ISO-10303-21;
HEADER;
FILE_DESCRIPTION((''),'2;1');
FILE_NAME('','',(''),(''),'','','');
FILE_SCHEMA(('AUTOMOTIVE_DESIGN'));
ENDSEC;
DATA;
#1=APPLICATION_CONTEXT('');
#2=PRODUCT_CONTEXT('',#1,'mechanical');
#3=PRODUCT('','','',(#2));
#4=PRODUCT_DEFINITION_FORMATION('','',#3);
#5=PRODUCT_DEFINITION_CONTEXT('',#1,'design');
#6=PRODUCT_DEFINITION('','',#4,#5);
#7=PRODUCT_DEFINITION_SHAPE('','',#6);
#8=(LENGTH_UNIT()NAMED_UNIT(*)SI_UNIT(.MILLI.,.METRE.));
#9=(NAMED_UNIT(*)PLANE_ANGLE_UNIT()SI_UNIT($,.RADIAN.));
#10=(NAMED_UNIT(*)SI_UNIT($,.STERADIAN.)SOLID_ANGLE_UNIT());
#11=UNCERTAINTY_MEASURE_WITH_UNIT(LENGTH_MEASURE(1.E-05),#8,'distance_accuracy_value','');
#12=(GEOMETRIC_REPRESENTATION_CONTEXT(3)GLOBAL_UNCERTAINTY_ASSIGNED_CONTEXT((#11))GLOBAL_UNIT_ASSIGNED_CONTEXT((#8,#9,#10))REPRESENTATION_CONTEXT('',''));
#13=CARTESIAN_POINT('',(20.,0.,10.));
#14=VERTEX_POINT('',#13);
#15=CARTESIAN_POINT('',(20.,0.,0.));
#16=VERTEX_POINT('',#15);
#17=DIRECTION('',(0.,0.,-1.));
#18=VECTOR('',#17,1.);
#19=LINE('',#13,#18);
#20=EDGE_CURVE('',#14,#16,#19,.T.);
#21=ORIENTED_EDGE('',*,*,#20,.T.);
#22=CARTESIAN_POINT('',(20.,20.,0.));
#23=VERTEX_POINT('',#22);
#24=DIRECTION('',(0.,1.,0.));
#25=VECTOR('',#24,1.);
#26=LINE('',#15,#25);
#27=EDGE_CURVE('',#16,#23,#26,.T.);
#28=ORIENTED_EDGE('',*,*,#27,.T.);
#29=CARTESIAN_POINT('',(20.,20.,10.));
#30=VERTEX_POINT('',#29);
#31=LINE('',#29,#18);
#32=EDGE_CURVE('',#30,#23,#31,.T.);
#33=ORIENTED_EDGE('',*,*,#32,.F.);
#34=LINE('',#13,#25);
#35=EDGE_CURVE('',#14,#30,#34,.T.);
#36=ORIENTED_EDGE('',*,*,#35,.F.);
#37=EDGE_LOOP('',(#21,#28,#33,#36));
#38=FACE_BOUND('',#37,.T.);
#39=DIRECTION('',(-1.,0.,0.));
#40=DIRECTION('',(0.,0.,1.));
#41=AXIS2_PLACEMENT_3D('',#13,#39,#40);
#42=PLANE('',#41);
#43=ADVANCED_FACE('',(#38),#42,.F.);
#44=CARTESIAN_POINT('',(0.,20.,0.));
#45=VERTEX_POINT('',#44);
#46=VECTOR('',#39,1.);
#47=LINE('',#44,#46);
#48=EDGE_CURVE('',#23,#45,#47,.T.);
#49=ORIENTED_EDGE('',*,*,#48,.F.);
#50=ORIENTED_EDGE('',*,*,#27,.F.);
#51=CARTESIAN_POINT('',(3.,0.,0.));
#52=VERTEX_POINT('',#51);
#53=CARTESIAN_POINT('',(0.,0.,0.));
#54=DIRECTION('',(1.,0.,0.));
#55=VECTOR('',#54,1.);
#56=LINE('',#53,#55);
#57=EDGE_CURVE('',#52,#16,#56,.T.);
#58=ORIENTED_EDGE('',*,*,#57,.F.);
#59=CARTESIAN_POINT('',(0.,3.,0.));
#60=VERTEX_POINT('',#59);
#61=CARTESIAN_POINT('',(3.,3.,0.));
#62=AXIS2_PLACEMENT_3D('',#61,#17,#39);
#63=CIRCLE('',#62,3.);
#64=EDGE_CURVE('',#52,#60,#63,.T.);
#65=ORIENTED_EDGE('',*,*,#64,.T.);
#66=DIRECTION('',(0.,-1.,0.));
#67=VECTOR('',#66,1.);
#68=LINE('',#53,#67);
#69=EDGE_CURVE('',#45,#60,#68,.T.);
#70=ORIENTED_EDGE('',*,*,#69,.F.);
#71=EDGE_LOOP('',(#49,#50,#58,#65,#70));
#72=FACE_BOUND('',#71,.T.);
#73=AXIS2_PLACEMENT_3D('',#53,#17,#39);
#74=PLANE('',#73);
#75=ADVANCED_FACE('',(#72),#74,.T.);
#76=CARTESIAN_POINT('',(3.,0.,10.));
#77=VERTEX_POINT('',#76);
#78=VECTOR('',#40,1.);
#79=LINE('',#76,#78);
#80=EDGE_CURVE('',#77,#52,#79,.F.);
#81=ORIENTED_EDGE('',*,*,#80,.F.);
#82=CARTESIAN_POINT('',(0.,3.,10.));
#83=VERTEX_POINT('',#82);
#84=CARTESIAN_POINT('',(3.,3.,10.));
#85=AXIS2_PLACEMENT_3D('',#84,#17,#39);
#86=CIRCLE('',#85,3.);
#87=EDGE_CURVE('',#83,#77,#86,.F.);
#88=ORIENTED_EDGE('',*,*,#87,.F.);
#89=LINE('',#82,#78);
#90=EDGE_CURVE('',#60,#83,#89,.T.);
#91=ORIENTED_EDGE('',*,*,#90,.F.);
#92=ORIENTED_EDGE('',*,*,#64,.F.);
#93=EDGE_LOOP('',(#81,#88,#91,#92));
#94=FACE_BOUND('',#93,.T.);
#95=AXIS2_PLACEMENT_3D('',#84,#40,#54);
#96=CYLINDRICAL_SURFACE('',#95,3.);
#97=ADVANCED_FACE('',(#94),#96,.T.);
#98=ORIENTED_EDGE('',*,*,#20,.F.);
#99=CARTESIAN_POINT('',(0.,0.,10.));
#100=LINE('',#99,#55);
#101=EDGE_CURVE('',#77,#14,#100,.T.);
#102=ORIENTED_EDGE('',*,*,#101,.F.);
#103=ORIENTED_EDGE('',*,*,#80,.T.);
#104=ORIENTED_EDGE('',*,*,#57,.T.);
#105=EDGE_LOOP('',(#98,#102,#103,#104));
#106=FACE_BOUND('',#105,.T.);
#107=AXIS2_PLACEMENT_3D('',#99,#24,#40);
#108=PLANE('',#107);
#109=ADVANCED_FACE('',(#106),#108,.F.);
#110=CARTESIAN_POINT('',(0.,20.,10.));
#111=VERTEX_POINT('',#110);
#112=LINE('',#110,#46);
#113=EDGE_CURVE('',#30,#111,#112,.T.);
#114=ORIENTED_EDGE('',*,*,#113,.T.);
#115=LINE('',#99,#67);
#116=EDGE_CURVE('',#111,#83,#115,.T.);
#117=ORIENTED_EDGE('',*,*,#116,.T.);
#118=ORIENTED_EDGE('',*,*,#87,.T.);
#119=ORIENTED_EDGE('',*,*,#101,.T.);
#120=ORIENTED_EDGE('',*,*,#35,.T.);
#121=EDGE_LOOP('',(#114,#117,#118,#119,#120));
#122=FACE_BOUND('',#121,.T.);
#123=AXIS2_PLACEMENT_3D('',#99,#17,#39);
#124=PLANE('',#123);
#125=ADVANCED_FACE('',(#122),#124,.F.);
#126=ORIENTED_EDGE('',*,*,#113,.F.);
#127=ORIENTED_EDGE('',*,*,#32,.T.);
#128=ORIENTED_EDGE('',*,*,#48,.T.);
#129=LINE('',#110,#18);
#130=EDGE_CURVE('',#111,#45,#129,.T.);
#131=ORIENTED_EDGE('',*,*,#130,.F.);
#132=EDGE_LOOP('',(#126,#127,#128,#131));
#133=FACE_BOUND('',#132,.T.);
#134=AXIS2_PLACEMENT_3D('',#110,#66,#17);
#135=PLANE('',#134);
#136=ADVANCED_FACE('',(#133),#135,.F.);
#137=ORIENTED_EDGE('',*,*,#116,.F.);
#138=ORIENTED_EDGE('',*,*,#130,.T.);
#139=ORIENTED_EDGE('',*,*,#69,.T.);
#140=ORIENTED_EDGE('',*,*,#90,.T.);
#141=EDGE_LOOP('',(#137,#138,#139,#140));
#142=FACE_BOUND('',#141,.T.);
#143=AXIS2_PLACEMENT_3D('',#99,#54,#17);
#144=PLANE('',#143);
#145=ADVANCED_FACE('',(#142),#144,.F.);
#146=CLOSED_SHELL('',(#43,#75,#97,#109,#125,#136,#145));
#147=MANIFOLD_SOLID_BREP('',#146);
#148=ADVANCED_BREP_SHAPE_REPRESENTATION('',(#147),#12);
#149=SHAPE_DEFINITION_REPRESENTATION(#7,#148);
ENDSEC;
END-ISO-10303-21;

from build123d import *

# Parameters (mm, degrees)
SKETCH_1_W    = 20
SKETCH_1_H    = 20
BASEBOX_DEPTH = 10
FACEFILLET_R  = 3


with BuildPart() as part:
    # 草图1 → BaseBox (new body)
    with BuildSketch(Plane.XY):
        with Locations((10, 10)):
            Rectangle(SKETCH_1_W, SKETCH_1_H)
    extrude(amount=BASEBOX_DEPTH)

    # FaceFillet
    facefillet_edges = [part.edges().sort_by_distance(p)[0] for p in [
        (0, 0, 5),
    ]]
    fillet(facefillet_edges, radius=FACEFILLET_R)


solid = part.part
